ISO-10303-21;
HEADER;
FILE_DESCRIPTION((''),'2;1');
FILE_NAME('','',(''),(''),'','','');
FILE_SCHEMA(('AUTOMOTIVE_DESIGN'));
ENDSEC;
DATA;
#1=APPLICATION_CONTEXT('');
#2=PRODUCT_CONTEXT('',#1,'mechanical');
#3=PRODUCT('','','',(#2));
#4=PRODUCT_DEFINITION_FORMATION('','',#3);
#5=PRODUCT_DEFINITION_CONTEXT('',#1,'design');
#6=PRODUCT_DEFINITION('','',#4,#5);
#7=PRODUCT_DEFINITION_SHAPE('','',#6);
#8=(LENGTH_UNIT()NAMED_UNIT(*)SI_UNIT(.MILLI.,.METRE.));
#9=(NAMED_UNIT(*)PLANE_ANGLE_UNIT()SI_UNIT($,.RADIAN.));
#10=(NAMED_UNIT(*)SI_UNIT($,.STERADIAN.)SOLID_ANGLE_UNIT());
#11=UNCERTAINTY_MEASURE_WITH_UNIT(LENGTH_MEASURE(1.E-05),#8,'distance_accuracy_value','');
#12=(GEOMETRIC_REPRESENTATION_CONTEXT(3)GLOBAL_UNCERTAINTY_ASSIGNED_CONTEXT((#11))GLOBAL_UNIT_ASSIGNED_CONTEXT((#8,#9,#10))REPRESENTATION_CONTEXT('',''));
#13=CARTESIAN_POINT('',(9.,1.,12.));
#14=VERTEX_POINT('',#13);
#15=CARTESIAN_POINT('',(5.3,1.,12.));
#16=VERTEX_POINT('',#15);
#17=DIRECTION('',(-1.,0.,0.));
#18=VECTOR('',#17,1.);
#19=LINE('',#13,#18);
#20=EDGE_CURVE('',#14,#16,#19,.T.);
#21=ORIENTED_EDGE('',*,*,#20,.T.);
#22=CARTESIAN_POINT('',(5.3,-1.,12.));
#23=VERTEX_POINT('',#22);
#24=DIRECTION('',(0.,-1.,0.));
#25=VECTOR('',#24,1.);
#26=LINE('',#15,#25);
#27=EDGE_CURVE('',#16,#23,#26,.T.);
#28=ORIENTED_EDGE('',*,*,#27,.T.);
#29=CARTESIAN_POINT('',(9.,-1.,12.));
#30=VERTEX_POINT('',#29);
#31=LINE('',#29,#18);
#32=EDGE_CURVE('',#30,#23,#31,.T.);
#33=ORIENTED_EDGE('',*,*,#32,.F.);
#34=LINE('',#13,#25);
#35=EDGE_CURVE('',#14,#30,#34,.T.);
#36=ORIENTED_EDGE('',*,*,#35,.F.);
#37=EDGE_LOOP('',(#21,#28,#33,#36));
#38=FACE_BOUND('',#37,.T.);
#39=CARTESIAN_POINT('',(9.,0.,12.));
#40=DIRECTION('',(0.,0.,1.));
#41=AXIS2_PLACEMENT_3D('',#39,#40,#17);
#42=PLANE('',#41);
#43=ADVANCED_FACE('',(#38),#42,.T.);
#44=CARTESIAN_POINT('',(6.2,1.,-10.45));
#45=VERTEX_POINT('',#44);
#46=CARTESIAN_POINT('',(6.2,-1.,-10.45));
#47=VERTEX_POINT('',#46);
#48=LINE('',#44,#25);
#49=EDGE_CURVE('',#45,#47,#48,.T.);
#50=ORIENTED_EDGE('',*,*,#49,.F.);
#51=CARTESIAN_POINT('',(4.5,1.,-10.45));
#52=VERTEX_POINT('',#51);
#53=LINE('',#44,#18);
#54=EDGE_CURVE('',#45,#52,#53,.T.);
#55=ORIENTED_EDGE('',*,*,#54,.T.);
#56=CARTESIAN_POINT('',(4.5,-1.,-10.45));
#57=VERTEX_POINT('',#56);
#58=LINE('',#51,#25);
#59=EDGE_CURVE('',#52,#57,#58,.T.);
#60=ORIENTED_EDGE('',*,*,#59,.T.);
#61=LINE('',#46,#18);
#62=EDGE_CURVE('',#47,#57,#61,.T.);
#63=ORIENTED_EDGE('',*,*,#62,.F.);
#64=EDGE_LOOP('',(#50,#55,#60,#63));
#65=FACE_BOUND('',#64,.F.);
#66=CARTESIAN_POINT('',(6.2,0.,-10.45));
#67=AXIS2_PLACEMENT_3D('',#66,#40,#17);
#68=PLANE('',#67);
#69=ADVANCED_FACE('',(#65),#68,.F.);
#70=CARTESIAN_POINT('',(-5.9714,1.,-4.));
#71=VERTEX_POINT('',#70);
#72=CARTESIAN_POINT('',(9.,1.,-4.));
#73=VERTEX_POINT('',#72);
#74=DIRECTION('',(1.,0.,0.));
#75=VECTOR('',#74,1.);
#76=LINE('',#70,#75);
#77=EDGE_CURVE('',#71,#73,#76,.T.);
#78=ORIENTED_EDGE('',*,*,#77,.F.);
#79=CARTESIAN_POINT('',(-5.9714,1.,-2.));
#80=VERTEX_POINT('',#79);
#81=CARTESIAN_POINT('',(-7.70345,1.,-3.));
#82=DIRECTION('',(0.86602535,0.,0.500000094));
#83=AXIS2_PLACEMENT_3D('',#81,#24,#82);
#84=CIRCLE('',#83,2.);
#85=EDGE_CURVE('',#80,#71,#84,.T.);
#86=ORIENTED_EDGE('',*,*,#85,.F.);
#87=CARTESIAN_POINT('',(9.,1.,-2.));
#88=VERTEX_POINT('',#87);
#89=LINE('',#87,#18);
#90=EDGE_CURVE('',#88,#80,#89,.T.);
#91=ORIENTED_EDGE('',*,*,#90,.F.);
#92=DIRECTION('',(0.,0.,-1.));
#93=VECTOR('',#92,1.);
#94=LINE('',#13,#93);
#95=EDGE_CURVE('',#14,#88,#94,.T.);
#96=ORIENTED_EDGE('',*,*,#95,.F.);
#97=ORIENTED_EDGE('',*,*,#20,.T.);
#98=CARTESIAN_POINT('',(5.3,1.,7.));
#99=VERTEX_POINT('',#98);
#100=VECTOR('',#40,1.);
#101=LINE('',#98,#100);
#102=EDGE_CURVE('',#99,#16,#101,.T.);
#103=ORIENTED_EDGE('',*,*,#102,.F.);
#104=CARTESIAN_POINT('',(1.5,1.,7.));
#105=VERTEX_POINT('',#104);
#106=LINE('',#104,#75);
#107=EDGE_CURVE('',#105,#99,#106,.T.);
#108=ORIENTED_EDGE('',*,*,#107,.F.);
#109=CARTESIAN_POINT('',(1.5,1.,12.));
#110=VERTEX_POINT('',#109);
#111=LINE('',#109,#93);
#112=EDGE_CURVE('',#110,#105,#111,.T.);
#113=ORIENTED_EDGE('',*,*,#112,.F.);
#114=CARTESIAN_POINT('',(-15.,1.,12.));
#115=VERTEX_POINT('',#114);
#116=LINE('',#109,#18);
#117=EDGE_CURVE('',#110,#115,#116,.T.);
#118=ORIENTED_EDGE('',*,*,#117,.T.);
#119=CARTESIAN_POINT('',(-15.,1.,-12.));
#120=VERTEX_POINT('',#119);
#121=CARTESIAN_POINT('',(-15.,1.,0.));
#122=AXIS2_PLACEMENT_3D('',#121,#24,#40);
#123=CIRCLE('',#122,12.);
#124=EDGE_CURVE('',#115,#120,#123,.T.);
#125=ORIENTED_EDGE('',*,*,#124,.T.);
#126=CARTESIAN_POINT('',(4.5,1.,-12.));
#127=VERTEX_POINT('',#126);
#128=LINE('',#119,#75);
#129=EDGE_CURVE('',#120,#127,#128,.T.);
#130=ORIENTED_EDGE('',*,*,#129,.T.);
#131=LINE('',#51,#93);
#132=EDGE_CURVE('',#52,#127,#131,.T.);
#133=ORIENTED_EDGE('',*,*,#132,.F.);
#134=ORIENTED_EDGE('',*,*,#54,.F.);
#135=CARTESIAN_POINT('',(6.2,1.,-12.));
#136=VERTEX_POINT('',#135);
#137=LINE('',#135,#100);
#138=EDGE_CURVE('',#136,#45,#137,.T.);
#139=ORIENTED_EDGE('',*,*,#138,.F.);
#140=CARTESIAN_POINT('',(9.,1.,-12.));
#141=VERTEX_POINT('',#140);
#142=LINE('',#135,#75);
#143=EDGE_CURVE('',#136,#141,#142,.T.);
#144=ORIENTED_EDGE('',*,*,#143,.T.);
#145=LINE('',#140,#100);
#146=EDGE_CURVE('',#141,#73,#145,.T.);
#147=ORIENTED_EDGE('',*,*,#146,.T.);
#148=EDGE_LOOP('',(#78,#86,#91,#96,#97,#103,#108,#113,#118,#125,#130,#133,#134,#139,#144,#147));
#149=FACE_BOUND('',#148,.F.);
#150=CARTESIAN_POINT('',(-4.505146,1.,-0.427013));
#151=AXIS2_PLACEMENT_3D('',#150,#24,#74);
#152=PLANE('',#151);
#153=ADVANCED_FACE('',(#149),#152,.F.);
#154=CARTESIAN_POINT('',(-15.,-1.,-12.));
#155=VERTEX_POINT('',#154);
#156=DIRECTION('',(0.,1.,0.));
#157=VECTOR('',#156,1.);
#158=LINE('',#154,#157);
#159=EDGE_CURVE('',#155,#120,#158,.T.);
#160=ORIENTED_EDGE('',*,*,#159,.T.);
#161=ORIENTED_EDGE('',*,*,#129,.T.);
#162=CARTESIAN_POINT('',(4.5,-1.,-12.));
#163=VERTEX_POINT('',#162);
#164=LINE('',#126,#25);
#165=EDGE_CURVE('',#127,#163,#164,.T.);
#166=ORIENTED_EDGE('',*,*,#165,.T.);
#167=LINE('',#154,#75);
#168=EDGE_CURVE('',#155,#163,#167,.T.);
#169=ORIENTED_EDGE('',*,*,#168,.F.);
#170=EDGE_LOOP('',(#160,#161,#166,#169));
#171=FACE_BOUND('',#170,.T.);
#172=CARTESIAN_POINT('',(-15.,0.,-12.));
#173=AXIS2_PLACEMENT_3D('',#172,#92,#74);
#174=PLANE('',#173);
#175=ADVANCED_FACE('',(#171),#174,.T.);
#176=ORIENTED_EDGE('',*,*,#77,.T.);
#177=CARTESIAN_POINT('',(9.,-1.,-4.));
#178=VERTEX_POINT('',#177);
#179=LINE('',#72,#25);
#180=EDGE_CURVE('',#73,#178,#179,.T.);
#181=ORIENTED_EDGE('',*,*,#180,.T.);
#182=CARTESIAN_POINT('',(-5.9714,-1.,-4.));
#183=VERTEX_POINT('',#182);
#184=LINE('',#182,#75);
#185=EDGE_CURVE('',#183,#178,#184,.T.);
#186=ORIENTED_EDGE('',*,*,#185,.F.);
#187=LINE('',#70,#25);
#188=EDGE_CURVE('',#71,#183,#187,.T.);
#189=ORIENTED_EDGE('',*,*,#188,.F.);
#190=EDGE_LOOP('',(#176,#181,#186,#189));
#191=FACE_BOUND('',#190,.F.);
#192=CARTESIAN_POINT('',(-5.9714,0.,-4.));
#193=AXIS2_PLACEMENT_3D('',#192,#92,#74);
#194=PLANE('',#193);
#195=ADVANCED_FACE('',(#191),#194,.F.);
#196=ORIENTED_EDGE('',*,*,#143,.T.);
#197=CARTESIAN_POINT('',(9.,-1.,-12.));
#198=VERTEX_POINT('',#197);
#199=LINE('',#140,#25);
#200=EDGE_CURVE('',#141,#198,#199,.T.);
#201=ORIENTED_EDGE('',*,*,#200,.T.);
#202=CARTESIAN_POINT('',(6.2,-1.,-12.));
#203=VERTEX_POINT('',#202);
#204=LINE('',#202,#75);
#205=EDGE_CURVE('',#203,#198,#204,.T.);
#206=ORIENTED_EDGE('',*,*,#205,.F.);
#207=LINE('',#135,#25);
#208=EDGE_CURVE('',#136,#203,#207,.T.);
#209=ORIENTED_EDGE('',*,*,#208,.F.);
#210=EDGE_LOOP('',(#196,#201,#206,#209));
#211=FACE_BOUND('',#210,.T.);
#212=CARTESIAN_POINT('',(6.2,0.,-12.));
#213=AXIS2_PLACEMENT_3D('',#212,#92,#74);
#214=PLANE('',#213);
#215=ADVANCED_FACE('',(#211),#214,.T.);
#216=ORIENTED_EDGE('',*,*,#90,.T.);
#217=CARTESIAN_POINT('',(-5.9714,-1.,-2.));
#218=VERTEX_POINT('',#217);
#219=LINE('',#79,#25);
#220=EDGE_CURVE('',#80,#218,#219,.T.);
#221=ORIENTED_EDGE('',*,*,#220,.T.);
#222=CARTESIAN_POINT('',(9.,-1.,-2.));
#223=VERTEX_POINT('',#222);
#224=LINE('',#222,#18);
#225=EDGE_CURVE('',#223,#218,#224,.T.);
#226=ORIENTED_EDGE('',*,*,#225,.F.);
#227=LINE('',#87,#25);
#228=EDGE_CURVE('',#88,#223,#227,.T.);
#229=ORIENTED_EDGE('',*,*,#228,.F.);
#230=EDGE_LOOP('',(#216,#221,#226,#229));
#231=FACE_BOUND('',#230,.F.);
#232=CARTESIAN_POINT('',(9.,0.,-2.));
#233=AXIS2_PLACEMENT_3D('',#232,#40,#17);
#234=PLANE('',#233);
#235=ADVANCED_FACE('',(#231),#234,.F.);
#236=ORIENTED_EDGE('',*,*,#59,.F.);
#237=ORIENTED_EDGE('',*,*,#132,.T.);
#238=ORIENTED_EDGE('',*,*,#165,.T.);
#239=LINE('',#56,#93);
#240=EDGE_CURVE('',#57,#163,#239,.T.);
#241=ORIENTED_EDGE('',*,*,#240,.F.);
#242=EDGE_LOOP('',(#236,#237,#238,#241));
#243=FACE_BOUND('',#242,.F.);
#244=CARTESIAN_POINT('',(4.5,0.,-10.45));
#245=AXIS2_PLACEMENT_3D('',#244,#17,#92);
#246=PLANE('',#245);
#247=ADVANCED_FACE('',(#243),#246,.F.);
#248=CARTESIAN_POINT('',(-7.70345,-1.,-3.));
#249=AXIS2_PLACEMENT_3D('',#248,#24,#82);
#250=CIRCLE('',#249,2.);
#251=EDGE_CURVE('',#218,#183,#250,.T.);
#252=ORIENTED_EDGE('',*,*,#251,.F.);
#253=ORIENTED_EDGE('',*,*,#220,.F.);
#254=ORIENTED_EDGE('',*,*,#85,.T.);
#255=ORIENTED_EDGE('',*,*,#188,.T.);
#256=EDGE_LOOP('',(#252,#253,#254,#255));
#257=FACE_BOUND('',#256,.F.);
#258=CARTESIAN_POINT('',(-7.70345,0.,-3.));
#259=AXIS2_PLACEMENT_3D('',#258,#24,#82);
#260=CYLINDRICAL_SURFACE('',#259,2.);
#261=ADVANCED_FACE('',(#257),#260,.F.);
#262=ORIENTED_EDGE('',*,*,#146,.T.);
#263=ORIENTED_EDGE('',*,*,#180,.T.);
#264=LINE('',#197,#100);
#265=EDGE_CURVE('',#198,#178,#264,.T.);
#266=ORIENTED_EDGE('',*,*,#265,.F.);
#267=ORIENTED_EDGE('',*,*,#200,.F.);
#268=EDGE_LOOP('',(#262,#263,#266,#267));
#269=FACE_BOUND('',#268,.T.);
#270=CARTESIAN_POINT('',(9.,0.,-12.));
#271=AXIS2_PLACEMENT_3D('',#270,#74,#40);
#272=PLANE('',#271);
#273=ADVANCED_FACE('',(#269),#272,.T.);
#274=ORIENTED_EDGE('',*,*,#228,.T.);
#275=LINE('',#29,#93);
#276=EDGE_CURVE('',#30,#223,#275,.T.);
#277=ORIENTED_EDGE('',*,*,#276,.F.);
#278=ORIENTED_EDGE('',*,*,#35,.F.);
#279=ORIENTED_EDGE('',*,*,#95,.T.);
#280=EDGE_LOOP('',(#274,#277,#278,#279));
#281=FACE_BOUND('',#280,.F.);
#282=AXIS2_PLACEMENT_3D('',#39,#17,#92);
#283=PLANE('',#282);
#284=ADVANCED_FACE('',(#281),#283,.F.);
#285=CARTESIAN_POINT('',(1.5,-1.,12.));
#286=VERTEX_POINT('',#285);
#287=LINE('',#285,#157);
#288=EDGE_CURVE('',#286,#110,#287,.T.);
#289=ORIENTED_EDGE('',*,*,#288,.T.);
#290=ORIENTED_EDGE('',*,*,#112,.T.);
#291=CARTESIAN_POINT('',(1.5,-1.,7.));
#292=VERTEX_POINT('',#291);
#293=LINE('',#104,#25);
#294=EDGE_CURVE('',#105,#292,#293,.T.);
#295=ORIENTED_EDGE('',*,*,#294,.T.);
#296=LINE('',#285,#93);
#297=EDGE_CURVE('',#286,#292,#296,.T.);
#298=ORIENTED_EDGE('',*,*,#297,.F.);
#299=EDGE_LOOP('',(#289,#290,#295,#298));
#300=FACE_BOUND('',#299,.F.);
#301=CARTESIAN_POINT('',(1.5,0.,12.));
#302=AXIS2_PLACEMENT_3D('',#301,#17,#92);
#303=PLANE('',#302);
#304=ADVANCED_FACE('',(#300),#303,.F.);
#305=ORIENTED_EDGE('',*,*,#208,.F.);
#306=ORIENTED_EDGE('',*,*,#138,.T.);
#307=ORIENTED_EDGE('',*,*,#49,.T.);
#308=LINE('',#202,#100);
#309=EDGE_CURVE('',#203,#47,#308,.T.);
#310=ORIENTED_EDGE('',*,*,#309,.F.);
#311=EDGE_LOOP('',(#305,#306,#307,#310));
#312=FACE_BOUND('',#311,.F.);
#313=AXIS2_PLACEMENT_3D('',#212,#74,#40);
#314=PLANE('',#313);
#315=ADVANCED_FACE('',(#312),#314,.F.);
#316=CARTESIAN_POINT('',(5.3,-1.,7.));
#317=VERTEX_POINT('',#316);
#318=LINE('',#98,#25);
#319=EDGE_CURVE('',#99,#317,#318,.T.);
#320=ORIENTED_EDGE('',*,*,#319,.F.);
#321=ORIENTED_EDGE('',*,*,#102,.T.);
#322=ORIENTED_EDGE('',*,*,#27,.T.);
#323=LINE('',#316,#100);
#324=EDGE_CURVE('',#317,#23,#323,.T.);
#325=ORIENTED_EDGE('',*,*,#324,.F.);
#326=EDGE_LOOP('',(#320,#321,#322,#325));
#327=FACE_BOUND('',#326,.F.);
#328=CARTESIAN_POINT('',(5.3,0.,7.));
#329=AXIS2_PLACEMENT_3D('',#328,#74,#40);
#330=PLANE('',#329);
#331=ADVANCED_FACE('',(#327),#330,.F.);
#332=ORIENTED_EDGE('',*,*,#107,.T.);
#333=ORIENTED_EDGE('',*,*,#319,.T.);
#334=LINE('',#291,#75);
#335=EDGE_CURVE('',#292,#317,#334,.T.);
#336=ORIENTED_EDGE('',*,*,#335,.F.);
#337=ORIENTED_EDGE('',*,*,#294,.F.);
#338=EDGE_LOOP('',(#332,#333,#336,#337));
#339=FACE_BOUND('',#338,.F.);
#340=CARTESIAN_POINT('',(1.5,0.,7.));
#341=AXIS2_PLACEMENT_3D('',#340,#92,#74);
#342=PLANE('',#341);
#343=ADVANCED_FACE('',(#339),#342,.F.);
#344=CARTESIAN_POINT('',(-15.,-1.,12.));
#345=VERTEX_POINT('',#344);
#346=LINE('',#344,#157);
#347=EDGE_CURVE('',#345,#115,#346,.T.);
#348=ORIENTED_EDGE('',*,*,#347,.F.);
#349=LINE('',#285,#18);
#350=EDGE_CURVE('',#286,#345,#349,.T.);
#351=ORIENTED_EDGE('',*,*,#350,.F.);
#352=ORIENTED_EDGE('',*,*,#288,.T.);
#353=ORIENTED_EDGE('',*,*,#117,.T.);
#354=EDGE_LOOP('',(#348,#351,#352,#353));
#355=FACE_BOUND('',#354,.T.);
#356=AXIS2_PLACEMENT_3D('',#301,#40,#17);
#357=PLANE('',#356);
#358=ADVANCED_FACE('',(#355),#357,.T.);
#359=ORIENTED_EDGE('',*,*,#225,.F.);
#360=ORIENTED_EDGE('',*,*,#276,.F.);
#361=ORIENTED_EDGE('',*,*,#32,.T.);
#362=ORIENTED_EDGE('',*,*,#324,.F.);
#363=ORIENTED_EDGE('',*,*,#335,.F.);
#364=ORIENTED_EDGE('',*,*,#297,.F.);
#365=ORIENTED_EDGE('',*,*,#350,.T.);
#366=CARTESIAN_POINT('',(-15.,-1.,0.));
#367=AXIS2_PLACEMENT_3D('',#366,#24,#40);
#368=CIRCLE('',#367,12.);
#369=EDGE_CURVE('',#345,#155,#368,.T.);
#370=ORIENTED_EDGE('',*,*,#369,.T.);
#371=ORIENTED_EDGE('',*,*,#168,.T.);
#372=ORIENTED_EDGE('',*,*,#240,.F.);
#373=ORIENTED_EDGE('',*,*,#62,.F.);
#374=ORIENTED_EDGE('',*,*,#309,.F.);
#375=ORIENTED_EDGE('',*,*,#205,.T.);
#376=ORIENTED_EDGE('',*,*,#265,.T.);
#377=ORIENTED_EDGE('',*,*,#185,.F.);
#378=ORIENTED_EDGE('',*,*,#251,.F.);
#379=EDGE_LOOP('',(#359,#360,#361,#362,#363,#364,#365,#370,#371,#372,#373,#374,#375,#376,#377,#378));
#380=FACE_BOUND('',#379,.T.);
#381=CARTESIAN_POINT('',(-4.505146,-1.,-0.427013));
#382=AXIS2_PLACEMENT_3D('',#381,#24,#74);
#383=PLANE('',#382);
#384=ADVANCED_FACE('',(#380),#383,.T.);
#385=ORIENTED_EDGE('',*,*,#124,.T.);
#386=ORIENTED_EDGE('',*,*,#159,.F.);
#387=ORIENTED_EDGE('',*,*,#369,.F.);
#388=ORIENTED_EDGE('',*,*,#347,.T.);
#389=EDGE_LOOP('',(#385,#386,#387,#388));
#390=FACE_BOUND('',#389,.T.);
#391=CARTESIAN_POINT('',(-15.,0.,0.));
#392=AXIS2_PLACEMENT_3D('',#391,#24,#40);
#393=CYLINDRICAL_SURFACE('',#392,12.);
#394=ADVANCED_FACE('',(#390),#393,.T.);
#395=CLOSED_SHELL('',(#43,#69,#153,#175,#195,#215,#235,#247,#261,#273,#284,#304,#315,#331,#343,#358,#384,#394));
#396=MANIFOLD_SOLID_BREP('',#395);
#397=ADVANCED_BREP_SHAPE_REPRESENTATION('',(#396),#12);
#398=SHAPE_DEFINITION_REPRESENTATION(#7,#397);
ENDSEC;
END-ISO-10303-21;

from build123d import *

# Parameters (mm, degrees)
PAD_DEPTH = 1


with BuildPart() as part:
    # Sketch → Pad (new body, symmetric)
    with BuildSketch(Plane.XZ):
        with BuildLine():
            Line((-15, -12), (4.5, -12))
            Line((4.5, -10.45), (4.5, -12))
            Line((6.2, -10.45), (4.5, -10.45))
            Line((6.2, -12), (6.2, -10.45))
            Line((6.2, -12), (9, -12))
            Line((9, -12), (9, -4))
            Line((-5.9714, -4), (9, -4))
            ThreePointArc((-5.9714, -2), (-9.70345, -3), (-5.9714, -4))
            Line((9, -2), (-5.9714, -2))
            Line((9, 12), (9, -2))
            Line((9, 12), (5.3, 12))
            Line((5.3, 7), (5.3, 12))
            Line((1.5, 7), (5.3, 7))
            Line((1.5, 12), (1.5, 7))
            Line((1.5, 12), (-15, 12))
            ThreePointArc((-15, 12), (-27, 0), (-15, -12))
        make_face()
    extrude(amount=PAD_DEPTH, both=True)


solid = part.part
